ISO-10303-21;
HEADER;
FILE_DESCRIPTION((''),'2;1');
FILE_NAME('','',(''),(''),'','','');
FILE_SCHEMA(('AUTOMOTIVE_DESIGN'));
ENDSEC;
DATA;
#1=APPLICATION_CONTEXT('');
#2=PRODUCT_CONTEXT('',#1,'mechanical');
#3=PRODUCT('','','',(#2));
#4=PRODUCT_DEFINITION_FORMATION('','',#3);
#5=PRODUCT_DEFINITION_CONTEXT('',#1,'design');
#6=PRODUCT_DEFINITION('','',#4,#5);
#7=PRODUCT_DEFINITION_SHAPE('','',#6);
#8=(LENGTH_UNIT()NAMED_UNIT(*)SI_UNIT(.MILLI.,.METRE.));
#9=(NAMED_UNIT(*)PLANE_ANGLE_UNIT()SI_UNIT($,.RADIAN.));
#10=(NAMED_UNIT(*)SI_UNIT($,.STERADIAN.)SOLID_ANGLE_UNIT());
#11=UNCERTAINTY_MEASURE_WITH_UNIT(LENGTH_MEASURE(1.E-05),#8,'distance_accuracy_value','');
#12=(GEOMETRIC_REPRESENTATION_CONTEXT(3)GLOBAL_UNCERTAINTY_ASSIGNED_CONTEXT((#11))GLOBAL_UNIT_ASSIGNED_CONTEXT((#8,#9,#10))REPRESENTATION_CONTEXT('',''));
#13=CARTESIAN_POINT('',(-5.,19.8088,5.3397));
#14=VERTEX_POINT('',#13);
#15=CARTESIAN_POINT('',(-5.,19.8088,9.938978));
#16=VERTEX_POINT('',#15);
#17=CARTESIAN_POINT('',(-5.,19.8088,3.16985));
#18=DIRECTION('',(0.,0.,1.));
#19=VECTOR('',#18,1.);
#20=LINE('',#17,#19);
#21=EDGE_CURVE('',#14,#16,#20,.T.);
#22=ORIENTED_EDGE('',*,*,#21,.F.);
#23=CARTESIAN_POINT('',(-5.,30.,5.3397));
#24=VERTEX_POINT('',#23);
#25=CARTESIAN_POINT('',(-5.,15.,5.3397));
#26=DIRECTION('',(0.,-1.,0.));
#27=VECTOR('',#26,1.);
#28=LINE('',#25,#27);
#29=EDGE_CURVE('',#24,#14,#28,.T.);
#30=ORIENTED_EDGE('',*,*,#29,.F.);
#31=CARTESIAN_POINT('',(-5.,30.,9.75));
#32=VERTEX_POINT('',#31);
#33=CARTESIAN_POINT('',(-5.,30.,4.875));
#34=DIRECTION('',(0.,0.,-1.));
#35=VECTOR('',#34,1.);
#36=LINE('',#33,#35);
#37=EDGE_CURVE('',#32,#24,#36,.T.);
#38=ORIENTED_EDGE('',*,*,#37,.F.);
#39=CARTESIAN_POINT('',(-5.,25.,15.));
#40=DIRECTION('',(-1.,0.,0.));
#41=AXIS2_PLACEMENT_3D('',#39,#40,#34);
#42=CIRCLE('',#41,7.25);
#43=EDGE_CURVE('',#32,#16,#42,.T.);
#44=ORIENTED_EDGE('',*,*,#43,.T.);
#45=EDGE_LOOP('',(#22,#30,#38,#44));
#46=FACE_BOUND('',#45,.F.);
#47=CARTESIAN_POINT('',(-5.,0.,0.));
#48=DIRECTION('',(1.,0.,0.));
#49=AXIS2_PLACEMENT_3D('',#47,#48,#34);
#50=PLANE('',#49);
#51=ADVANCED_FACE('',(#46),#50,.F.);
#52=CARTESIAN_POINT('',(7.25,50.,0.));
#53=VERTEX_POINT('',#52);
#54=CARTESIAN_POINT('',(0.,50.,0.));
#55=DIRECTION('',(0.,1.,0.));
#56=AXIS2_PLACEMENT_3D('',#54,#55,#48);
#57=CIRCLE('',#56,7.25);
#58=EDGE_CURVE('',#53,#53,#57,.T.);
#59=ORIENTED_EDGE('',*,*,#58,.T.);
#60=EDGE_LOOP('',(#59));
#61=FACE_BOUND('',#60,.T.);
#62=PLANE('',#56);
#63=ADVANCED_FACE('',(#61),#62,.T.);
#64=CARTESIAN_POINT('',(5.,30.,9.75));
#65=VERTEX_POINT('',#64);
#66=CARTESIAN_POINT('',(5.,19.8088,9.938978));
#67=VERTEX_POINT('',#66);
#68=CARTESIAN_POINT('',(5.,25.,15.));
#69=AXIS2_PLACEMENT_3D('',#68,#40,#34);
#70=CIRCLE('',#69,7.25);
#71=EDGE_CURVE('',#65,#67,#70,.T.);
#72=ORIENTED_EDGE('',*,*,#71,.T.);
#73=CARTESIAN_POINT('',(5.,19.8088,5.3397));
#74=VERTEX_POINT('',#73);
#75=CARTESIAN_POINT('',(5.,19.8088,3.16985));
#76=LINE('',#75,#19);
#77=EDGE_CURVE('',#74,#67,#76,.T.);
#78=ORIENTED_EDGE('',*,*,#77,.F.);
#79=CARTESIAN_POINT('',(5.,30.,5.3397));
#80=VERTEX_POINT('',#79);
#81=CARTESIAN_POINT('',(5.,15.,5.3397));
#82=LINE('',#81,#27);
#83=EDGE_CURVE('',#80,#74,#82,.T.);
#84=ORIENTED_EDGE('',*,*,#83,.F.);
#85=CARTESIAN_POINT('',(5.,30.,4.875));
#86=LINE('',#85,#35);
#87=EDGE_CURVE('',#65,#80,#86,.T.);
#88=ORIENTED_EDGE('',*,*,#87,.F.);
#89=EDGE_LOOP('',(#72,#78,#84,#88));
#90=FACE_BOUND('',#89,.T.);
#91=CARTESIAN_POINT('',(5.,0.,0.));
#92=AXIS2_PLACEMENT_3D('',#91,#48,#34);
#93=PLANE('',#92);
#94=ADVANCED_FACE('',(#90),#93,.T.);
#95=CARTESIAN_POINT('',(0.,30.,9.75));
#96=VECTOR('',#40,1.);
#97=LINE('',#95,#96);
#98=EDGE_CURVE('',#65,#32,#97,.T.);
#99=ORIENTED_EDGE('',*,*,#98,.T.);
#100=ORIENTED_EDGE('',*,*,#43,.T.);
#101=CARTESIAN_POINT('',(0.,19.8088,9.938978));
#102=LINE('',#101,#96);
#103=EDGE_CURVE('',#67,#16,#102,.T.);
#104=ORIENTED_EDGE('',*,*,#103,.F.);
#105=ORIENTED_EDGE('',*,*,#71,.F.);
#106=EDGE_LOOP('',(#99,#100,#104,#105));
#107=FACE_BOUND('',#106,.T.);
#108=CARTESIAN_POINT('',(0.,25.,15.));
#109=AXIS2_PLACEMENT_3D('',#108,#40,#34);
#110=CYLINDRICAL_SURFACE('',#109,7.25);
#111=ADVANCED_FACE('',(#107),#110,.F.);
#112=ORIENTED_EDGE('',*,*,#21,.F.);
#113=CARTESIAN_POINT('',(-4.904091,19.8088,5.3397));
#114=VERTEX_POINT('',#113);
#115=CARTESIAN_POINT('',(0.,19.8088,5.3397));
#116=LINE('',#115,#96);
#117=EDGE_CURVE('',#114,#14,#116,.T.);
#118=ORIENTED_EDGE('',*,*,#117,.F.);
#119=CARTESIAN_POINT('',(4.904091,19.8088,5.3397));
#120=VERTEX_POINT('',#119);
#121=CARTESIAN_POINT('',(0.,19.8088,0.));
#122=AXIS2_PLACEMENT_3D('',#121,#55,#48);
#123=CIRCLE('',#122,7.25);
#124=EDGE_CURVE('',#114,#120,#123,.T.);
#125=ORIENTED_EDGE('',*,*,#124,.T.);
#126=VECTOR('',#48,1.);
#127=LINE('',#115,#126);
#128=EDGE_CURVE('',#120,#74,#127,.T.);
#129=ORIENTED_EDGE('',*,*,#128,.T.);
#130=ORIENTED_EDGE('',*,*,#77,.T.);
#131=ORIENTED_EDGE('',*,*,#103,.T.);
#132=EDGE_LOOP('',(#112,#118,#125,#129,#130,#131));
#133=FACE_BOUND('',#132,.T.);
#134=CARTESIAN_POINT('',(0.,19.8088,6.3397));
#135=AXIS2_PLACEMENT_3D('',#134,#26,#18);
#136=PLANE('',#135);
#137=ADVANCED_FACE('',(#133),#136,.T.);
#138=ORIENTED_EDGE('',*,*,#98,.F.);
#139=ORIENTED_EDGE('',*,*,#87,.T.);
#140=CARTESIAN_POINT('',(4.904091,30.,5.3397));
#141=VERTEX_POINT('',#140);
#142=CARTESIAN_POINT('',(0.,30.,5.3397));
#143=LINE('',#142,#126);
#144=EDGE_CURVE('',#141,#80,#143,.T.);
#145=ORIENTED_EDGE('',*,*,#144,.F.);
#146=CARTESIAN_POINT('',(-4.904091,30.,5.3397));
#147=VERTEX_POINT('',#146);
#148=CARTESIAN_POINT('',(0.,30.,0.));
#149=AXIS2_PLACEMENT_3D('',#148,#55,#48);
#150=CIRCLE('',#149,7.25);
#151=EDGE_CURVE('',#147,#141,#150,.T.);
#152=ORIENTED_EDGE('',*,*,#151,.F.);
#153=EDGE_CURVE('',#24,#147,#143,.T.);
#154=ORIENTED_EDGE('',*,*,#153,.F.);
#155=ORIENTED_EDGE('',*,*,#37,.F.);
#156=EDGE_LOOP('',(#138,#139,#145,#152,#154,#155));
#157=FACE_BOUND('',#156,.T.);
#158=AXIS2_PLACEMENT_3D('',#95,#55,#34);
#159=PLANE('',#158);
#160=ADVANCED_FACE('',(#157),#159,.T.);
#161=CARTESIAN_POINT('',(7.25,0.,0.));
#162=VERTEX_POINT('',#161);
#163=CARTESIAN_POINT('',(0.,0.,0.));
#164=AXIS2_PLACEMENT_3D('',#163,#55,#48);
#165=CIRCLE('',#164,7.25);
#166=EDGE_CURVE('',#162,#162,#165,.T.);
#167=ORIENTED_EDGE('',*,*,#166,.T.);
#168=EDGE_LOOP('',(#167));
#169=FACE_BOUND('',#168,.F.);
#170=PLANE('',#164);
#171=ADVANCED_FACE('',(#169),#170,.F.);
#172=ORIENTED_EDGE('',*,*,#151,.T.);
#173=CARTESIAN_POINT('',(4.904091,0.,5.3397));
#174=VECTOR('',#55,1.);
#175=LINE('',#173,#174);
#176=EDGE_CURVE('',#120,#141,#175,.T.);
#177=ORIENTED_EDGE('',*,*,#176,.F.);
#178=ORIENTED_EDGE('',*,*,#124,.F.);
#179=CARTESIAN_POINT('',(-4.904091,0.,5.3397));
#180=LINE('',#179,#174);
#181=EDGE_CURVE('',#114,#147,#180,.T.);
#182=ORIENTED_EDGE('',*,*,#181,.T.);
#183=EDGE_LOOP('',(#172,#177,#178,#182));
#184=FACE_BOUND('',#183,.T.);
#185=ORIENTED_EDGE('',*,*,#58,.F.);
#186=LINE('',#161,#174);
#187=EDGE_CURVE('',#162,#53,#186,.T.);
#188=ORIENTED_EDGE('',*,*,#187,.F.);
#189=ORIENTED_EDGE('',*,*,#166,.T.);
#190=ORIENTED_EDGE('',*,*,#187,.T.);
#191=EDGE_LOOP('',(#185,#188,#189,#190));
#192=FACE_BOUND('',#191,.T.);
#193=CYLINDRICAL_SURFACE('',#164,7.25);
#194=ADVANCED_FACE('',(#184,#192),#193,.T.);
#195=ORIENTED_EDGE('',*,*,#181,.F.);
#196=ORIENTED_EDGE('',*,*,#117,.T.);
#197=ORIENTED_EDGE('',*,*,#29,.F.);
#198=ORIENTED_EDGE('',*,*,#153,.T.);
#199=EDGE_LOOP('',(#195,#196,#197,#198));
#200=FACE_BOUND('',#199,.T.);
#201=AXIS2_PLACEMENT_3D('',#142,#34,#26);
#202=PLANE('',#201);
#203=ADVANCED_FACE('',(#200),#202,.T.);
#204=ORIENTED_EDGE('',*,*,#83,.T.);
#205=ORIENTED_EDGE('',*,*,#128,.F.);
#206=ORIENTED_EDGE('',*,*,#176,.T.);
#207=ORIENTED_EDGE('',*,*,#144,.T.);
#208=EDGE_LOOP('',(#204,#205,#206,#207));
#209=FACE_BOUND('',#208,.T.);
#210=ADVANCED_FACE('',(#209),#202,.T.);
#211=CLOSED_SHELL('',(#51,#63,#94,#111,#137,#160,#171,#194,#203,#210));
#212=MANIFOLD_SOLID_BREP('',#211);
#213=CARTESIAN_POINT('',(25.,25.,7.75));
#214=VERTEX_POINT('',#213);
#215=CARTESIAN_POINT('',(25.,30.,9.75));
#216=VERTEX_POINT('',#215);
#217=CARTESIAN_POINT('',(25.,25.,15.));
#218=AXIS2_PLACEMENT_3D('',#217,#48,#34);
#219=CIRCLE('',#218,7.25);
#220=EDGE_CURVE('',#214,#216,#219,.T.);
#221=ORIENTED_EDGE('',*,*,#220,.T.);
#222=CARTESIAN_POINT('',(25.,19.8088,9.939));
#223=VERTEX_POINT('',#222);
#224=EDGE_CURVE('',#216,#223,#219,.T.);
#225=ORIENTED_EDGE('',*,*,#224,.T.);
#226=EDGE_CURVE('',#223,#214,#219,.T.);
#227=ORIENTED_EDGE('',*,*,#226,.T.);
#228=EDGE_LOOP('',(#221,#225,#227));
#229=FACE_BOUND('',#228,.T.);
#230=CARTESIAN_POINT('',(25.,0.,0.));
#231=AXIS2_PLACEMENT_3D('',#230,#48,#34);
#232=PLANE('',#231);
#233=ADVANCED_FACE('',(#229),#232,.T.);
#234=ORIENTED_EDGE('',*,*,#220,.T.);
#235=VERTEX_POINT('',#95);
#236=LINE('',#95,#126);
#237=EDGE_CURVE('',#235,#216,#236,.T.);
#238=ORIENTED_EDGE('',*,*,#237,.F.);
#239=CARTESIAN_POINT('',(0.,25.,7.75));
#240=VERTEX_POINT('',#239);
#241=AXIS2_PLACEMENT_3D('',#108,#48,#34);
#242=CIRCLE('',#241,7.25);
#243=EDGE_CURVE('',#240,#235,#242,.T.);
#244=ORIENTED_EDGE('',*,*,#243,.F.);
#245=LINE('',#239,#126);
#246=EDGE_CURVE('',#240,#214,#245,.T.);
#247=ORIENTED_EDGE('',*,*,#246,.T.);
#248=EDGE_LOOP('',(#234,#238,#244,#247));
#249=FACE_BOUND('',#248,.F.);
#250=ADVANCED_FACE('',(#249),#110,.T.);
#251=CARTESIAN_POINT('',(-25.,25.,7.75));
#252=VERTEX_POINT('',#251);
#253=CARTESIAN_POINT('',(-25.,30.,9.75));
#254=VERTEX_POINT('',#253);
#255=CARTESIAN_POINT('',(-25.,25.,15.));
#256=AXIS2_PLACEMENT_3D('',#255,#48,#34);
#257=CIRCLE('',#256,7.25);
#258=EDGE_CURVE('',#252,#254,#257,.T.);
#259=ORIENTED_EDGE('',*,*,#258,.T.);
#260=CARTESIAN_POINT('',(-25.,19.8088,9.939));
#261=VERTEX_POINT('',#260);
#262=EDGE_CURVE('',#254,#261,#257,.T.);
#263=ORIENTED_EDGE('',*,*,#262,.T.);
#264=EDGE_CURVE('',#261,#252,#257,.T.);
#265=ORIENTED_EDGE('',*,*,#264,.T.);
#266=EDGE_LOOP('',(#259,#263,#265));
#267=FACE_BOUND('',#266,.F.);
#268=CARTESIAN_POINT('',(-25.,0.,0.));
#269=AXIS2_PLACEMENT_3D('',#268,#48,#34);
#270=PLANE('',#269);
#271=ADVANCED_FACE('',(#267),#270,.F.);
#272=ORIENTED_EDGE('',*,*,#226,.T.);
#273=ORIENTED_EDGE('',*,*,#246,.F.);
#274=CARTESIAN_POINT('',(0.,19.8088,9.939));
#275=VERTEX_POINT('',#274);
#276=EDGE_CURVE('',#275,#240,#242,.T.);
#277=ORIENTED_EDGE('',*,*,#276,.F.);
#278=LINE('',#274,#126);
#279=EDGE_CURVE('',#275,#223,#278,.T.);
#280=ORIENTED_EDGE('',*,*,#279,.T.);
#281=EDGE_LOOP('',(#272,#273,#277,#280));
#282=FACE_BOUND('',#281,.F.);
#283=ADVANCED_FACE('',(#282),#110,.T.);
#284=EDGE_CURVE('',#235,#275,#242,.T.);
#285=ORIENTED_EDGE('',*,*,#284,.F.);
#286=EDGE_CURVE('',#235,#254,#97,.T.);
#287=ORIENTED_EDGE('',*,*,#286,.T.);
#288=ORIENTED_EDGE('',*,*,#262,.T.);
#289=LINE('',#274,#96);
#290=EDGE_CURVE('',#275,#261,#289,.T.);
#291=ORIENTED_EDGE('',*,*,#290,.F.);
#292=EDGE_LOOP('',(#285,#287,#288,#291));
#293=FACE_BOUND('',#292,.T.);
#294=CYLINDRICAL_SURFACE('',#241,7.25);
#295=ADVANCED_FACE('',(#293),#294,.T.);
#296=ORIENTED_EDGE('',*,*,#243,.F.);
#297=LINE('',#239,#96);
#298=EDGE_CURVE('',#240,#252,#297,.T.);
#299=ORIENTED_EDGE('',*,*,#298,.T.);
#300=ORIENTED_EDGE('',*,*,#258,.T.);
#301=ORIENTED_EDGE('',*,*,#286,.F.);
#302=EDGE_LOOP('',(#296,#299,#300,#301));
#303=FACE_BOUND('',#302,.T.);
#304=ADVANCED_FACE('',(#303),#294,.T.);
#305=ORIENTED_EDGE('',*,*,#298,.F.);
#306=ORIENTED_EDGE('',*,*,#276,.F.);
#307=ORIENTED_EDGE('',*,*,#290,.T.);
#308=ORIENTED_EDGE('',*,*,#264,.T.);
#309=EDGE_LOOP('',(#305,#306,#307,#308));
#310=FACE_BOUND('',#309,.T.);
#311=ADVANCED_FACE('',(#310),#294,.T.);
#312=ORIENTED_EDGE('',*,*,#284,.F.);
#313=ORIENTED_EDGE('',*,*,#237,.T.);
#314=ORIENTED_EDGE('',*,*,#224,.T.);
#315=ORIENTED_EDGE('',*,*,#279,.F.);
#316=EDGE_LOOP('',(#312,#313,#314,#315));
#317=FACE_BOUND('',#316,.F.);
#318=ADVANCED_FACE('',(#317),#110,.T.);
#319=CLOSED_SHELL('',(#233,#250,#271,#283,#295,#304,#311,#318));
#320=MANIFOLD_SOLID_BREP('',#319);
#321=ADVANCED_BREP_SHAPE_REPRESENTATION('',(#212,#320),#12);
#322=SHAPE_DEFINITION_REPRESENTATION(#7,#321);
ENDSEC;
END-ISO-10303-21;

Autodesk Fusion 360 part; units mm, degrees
cylinder "CylinderPrimitive1" add diameter 14.5 height 50 placed x (1, 0, 0) y (0, 0, -1) z (0, 1, 0) at (0, 0, 0) makes body 1
sketch "Sketch6" plane through (0, 0, 0) normal (1, 0, 0) x (0, 0, -1)
  circle A0 centre (-15, 25) radius 7.25
  line L0 (-9.75, 30) -> (-6.3397, 30)
  line L1 (-6.3397, 30) -> (-6.3397, 19.8088)
  line L2 (-6.3397, 19.8088) -> (-9.939, 19.8088)
  dimension "d10" = 14.5
extrude "Extrude3" add sketch "Sketch6" along normal mid plane 10 contours A0 L0 L1 L2 bodies 1
extrude "Extrude2" add sketch "Sketch6" along normal mid plane 50 separate body contours A0 makes body 2
move_face "OffsetFaces1" offset 1 1 faces at (4.0114, 26.6029, 6.3397) on bodies 1
move_face "OffsetFaces2" offset 1 1 faces at (-4.5057, 26.6029, 6.3397) on bodies 1
